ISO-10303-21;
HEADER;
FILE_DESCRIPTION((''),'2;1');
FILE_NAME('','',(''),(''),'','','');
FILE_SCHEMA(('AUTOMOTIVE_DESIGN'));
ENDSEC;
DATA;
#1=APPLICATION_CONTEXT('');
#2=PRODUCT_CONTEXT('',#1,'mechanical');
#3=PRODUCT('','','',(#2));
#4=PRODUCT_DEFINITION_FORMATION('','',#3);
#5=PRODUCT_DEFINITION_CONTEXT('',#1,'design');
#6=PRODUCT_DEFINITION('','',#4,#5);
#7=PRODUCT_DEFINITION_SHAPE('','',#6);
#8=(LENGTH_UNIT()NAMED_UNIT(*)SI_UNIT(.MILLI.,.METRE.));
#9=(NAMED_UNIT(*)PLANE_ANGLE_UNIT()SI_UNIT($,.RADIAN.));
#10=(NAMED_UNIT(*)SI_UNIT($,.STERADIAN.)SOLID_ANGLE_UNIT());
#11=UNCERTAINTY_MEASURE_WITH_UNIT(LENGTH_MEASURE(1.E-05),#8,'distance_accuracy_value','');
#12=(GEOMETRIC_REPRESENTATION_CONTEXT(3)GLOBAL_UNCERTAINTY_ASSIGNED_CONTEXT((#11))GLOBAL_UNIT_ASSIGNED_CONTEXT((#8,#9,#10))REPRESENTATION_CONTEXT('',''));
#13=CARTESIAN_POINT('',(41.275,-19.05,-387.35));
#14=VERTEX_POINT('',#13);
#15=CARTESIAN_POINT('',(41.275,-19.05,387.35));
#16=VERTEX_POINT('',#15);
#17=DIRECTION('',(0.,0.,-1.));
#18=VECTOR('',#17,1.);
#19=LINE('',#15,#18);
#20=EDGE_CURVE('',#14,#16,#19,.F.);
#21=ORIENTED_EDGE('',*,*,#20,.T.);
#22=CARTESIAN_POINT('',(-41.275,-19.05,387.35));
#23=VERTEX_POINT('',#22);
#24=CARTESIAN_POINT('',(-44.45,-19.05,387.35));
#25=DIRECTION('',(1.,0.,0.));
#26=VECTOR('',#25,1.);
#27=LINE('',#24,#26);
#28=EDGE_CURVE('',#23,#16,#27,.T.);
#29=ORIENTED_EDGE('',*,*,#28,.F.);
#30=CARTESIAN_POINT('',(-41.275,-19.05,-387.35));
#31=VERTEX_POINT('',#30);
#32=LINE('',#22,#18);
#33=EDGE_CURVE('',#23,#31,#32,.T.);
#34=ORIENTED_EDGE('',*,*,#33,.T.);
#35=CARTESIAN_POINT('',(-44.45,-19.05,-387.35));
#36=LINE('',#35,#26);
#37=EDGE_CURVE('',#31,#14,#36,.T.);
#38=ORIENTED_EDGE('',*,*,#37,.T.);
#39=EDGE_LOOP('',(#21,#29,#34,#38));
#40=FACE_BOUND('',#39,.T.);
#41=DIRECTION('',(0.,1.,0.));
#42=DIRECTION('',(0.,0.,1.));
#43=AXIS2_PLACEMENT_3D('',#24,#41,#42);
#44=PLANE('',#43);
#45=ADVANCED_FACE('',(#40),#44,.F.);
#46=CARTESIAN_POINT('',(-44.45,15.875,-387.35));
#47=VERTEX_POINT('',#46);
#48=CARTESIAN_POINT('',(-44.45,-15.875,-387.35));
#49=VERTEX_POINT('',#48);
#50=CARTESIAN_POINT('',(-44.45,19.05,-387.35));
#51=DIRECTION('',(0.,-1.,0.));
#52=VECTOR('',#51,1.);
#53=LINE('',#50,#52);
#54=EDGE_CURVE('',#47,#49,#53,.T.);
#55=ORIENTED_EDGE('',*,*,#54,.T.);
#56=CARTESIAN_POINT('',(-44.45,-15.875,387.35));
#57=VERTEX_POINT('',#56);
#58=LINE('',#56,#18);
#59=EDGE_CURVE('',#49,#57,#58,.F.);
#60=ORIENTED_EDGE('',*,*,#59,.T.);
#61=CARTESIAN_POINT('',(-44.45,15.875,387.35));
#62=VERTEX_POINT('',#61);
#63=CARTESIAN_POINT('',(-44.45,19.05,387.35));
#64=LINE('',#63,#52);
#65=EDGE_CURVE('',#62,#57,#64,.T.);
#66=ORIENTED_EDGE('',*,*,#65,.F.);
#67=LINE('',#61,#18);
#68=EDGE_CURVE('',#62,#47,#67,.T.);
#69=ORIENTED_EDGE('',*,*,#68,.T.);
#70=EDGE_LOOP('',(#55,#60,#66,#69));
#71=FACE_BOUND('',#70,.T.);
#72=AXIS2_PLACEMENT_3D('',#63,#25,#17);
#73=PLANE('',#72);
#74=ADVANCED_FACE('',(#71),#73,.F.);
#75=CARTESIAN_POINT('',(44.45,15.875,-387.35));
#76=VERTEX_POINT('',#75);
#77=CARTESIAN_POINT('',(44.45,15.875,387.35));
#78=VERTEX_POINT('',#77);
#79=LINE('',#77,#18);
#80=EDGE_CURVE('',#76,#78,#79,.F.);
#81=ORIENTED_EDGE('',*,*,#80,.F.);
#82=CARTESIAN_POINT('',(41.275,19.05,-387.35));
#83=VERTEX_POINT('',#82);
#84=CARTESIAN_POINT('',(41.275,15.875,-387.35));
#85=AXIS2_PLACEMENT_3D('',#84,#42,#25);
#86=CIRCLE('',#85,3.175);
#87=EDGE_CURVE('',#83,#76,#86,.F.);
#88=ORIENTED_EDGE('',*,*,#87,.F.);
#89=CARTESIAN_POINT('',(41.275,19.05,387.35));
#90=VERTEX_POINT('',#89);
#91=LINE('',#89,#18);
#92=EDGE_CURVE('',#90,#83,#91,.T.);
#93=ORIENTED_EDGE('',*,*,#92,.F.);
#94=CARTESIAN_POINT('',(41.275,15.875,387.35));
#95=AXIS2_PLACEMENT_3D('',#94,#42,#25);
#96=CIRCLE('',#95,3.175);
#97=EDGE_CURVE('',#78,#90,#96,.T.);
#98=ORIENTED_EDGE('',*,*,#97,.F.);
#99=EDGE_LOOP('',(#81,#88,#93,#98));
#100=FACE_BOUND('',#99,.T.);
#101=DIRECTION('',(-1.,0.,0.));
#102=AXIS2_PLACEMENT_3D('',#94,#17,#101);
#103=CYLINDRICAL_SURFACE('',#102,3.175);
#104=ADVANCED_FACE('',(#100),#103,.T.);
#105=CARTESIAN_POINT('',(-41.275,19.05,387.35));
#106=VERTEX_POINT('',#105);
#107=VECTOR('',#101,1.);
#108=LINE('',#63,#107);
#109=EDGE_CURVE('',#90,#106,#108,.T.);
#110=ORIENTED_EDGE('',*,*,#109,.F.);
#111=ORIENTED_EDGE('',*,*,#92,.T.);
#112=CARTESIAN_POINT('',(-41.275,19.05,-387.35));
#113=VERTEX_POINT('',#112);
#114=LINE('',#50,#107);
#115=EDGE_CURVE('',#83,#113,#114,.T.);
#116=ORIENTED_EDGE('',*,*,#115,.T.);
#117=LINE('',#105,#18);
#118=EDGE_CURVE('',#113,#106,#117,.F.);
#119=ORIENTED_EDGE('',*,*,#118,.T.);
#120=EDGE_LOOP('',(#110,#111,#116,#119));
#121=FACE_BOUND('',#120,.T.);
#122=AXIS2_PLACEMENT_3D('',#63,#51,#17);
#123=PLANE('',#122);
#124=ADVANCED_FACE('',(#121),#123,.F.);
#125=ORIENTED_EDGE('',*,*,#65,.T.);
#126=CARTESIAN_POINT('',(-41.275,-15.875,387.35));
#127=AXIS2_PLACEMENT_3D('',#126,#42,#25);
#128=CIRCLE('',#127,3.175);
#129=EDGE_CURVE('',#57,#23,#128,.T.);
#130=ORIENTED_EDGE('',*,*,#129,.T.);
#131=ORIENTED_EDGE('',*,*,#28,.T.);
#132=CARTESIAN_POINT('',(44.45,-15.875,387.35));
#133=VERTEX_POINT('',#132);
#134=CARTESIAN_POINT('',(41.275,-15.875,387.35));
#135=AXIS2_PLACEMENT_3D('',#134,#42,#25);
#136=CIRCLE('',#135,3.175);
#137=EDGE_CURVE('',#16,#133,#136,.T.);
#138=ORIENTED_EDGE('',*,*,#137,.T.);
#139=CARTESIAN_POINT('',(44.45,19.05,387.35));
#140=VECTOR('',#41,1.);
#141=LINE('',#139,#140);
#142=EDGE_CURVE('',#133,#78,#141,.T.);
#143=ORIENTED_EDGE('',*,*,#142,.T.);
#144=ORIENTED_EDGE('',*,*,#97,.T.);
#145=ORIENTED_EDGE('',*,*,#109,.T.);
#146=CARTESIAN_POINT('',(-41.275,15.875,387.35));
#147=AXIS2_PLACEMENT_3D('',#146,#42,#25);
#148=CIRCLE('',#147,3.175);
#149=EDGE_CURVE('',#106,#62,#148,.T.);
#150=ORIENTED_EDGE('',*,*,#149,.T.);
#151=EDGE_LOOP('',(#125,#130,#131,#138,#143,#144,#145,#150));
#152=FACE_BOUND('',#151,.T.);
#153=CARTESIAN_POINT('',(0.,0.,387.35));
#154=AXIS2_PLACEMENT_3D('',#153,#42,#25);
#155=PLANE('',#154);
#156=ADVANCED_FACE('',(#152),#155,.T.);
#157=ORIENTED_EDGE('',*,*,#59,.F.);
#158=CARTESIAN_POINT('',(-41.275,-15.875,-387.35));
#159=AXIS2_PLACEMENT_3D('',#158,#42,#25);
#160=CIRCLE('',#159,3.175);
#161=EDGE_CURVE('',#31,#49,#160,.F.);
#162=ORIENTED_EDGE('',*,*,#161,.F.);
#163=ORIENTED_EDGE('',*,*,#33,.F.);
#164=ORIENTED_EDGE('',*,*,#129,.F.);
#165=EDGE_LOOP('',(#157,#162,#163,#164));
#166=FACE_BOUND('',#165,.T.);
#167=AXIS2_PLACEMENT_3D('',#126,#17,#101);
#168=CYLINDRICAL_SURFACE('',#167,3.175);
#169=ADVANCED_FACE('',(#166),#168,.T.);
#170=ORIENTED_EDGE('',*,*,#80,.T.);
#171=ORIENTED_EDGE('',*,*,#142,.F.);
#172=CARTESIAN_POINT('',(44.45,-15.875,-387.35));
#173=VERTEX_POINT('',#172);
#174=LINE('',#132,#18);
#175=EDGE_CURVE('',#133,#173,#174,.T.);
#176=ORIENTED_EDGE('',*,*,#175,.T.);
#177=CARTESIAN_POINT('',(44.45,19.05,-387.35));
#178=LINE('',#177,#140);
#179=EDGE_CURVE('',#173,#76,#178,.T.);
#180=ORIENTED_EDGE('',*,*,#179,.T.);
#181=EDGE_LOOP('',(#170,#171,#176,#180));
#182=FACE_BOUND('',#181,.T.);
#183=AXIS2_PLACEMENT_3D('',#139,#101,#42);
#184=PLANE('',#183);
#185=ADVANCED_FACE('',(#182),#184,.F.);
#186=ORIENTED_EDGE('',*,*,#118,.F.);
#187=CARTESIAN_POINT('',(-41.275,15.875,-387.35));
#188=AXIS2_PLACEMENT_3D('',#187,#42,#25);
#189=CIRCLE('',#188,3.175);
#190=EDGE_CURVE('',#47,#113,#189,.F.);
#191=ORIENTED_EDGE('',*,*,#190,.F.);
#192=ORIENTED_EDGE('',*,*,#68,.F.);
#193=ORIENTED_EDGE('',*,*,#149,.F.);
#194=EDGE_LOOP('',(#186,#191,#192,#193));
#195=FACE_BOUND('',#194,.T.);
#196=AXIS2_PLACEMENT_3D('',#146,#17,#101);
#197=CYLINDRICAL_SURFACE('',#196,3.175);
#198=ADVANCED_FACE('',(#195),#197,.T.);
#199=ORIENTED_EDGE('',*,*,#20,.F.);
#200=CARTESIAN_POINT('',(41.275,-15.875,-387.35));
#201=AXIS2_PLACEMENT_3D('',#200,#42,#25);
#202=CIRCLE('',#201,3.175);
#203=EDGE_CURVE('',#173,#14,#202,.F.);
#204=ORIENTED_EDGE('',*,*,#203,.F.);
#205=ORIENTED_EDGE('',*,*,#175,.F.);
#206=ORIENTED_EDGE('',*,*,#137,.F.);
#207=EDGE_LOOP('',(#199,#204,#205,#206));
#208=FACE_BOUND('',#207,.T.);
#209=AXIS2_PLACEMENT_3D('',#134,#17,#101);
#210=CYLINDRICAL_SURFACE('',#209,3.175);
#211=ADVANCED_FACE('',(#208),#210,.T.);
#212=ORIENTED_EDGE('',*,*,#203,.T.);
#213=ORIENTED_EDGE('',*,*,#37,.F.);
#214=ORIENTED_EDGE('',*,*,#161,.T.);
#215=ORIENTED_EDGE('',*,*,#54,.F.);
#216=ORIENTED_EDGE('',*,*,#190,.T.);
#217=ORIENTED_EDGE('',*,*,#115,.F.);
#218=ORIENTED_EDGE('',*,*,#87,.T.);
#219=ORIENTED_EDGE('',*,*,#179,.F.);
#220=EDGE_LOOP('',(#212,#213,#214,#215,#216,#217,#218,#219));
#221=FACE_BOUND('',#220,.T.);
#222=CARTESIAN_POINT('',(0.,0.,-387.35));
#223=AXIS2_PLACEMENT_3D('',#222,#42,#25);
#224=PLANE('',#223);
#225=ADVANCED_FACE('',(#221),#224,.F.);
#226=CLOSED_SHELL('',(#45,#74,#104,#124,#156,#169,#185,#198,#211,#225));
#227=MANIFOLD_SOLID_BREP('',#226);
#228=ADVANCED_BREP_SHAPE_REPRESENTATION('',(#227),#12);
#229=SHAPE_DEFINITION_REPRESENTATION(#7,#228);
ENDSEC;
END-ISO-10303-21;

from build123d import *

# Parameters (mm, degrees)
SKETCH1_W           = 88.9
SKETCH1_H           = 38.1
BOSS_EXTRUDE1_DEPTH = 387.35
FILLET1_R           = 3.175


with BuildPart() as part:
    # Sketch1 → Boss-Extrude1 (new, symmetric)
    with BuildSketch(Plane.XY):
        Rectangle(SKETCH1_W, SKETCH1_H)
    extrude(amount=BOSS_EXTRUDE1_DEPTH, both=True)

    # Fillet1
    fillet1_edges = [part.edges().sort_by_distance(p)[0] for p in [
        (44.45, -19.05, 0),
        (-44.45, -19.05, 0),
        (-44.45, 19.05, 0),
        (44.45, 19.05, 0),
    ]]
    fillet(fillet1_edges, radius=FILLET1_R)


solid = part.part
